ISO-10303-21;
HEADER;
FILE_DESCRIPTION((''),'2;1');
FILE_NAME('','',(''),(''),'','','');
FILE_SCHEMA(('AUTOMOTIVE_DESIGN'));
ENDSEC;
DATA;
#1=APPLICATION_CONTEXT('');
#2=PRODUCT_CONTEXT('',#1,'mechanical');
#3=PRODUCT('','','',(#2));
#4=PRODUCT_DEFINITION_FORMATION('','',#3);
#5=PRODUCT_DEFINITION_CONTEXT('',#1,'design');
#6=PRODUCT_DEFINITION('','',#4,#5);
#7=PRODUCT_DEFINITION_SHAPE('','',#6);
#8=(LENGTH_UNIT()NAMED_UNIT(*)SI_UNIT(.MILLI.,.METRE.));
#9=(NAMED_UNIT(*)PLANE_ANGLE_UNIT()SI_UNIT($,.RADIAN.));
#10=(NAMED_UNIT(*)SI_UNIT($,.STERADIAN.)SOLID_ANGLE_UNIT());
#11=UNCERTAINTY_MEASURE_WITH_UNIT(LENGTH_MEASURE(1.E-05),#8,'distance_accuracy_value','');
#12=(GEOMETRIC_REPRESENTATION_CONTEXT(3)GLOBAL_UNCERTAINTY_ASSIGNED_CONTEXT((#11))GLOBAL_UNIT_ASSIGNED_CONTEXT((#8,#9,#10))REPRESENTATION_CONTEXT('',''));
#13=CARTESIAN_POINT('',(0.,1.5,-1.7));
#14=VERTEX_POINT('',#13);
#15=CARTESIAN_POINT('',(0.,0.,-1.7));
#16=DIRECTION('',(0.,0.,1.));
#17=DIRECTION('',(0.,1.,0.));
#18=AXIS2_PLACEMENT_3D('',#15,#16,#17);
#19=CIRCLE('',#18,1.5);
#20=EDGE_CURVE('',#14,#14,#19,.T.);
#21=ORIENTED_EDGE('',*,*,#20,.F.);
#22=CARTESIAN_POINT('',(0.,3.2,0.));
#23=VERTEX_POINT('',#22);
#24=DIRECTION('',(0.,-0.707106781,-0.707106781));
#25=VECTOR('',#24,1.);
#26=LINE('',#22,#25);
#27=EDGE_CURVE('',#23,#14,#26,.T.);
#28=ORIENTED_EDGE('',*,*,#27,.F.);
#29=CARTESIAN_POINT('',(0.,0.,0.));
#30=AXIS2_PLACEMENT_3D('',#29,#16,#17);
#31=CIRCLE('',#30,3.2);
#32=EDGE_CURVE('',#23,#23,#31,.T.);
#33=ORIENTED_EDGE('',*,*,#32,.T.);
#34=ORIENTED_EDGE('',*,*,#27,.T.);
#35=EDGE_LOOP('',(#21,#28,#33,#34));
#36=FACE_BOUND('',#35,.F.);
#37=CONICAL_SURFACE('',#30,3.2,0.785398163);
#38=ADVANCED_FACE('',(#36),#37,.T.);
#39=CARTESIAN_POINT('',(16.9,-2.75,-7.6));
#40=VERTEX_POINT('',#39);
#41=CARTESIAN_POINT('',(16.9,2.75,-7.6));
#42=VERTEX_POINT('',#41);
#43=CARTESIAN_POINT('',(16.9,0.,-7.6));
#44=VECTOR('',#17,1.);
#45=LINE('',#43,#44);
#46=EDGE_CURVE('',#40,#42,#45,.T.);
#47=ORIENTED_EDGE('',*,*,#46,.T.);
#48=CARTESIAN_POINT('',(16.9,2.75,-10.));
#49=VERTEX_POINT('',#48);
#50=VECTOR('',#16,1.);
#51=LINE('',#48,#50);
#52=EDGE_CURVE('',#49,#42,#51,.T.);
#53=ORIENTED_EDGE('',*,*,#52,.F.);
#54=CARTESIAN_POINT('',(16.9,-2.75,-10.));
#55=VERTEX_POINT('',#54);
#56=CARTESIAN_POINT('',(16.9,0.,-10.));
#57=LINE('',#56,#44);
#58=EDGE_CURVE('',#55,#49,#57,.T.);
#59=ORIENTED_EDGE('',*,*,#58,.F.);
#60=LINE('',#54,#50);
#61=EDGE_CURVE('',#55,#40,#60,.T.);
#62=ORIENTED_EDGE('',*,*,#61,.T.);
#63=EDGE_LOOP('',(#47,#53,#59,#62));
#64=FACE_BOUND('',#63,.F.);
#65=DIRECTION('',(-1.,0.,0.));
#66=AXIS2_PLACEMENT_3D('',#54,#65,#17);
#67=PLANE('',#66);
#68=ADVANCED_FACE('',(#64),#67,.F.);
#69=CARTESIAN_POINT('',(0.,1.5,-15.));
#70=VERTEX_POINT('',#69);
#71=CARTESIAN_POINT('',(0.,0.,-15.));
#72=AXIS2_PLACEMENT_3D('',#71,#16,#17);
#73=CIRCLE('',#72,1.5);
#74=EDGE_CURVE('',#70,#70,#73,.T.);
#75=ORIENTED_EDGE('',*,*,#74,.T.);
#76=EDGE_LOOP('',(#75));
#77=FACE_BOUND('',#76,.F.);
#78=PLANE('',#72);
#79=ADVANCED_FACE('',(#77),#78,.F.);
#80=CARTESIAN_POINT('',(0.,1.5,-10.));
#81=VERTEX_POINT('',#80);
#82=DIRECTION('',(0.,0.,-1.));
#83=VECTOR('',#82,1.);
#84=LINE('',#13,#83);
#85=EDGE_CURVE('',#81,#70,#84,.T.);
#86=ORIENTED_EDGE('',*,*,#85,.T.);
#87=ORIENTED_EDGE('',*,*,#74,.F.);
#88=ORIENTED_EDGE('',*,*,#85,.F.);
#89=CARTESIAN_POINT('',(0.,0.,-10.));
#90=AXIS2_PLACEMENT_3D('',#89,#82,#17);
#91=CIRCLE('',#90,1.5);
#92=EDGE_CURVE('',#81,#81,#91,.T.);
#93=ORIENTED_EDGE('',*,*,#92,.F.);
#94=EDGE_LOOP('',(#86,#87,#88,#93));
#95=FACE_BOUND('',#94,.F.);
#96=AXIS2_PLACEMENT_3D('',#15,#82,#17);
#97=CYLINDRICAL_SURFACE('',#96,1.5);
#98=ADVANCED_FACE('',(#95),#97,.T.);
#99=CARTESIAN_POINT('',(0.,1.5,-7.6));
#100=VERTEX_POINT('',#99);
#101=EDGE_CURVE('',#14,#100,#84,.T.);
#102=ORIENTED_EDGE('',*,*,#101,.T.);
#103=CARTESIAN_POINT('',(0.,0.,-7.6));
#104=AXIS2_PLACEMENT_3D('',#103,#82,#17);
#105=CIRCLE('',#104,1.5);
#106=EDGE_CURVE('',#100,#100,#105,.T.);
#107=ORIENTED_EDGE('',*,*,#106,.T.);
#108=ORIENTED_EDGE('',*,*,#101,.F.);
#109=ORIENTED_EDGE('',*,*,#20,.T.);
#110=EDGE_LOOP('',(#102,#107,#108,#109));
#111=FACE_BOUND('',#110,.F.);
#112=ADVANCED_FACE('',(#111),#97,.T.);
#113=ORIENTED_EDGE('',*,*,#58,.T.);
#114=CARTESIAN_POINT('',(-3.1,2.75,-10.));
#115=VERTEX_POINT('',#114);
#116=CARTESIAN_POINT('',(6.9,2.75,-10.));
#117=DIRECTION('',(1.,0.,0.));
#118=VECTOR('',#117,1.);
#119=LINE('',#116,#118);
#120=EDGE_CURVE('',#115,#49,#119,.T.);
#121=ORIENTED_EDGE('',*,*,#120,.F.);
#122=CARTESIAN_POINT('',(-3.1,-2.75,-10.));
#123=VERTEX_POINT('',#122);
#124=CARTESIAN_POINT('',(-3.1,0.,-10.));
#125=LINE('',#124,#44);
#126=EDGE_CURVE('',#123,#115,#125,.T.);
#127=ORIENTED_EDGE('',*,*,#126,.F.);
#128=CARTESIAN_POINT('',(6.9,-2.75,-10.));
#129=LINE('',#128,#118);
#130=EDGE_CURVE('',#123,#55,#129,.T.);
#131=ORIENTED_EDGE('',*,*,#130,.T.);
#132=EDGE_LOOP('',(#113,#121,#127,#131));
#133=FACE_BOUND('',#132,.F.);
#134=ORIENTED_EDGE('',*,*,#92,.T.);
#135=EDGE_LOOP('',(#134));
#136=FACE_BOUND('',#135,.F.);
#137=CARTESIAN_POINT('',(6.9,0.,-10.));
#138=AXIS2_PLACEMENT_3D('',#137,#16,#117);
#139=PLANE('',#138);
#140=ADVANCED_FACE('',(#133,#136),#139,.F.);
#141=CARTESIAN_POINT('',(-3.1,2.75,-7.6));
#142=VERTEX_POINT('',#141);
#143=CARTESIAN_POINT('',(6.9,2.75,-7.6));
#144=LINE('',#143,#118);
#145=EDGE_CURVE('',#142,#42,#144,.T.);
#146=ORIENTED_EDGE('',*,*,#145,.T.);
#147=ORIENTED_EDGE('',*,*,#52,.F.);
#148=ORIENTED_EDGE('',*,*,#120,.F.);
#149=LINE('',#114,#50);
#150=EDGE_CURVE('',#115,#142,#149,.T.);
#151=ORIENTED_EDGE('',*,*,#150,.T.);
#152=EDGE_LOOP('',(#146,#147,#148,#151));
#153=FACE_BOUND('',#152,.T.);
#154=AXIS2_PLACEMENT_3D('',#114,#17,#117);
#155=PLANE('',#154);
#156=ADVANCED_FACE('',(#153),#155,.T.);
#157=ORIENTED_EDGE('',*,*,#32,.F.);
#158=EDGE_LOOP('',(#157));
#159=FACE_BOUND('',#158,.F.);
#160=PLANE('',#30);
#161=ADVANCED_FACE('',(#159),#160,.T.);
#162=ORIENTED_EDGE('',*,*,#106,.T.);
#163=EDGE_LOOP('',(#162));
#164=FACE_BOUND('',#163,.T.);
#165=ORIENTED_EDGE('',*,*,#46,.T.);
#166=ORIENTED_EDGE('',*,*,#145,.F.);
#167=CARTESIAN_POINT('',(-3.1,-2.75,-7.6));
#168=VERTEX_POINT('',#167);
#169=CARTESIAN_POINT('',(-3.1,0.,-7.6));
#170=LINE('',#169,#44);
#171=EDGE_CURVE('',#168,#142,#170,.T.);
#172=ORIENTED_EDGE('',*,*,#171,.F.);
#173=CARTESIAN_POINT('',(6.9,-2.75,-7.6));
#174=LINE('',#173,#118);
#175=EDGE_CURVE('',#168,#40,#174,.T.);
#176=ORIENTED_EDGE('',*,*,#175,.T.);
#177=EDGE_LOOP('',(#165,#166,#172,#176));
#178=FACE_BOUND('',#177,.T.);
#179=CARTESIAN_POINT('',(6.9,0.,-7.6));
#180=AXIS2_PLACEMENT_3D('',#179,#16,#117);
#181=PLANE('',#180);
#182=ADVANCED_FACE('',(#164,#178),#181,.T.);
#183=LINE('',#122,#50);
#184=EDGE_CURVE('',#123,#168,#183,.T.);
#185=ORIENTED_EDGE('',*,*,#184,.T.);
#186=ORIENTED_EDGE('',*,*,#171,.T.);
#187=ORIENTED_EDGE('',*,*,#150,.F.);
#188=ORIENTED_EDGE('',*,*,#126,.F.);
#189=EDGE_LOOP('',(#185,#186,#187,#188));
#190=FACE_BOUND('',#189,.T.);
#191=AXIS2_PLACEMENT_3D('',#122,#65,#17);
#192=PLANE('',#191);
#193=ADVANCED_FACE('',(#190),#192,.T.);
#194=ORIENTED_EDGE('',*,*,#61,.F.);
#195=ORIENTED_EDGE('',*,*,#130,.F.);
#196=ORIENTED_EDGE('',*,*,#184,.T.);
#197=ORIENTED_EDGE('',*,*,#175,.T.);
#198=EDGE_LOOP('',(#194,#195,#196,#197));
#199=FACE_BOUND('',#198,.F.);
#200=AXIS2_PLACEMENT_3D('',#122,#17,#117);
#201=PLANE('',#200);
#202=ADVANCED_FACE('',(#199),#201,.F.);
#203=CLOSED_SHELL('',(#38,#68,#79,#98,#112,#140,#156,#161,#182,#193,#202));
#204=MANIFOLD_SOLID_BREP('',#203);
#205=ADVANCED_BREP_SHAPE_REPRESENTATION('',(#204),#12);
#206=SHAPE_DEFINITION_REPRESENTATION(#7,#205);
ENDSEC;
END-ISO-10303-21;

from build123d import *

# Parameters (mm, degrees)
BOX_W     = 20
BOX_H     = 5.5
BOX_DEPTH = 2.4


with BuildPart() as nutslot:
    # Box → Box (new body)
    with BuildSketch(Plane(origin=(-3.1, -2.75, -10), x_dir=(1, 0, 0), z_dir=(0, 0, 1))):
        with Locations((10, 2.75)):
            Rectangle(BOX_W, BOX_H)
    extrude(amount=BOX_DEPTH)


with BuildPart() as countersunkcut:
    # Sketch007 → Revolution001 (revolve)
    with BuildSketch(Plane.YZ):
        Polygon((3.2, 0), (1.5, -1.7), (1.5, -15), (0, -15), (0, 0), align=None)
    revolve(axis=Axis((0, 0, 0), (0, 0, 1)))

    # Fusion: union NutSlot
    add(nutslot.part)


solid = countersunkcut.part
